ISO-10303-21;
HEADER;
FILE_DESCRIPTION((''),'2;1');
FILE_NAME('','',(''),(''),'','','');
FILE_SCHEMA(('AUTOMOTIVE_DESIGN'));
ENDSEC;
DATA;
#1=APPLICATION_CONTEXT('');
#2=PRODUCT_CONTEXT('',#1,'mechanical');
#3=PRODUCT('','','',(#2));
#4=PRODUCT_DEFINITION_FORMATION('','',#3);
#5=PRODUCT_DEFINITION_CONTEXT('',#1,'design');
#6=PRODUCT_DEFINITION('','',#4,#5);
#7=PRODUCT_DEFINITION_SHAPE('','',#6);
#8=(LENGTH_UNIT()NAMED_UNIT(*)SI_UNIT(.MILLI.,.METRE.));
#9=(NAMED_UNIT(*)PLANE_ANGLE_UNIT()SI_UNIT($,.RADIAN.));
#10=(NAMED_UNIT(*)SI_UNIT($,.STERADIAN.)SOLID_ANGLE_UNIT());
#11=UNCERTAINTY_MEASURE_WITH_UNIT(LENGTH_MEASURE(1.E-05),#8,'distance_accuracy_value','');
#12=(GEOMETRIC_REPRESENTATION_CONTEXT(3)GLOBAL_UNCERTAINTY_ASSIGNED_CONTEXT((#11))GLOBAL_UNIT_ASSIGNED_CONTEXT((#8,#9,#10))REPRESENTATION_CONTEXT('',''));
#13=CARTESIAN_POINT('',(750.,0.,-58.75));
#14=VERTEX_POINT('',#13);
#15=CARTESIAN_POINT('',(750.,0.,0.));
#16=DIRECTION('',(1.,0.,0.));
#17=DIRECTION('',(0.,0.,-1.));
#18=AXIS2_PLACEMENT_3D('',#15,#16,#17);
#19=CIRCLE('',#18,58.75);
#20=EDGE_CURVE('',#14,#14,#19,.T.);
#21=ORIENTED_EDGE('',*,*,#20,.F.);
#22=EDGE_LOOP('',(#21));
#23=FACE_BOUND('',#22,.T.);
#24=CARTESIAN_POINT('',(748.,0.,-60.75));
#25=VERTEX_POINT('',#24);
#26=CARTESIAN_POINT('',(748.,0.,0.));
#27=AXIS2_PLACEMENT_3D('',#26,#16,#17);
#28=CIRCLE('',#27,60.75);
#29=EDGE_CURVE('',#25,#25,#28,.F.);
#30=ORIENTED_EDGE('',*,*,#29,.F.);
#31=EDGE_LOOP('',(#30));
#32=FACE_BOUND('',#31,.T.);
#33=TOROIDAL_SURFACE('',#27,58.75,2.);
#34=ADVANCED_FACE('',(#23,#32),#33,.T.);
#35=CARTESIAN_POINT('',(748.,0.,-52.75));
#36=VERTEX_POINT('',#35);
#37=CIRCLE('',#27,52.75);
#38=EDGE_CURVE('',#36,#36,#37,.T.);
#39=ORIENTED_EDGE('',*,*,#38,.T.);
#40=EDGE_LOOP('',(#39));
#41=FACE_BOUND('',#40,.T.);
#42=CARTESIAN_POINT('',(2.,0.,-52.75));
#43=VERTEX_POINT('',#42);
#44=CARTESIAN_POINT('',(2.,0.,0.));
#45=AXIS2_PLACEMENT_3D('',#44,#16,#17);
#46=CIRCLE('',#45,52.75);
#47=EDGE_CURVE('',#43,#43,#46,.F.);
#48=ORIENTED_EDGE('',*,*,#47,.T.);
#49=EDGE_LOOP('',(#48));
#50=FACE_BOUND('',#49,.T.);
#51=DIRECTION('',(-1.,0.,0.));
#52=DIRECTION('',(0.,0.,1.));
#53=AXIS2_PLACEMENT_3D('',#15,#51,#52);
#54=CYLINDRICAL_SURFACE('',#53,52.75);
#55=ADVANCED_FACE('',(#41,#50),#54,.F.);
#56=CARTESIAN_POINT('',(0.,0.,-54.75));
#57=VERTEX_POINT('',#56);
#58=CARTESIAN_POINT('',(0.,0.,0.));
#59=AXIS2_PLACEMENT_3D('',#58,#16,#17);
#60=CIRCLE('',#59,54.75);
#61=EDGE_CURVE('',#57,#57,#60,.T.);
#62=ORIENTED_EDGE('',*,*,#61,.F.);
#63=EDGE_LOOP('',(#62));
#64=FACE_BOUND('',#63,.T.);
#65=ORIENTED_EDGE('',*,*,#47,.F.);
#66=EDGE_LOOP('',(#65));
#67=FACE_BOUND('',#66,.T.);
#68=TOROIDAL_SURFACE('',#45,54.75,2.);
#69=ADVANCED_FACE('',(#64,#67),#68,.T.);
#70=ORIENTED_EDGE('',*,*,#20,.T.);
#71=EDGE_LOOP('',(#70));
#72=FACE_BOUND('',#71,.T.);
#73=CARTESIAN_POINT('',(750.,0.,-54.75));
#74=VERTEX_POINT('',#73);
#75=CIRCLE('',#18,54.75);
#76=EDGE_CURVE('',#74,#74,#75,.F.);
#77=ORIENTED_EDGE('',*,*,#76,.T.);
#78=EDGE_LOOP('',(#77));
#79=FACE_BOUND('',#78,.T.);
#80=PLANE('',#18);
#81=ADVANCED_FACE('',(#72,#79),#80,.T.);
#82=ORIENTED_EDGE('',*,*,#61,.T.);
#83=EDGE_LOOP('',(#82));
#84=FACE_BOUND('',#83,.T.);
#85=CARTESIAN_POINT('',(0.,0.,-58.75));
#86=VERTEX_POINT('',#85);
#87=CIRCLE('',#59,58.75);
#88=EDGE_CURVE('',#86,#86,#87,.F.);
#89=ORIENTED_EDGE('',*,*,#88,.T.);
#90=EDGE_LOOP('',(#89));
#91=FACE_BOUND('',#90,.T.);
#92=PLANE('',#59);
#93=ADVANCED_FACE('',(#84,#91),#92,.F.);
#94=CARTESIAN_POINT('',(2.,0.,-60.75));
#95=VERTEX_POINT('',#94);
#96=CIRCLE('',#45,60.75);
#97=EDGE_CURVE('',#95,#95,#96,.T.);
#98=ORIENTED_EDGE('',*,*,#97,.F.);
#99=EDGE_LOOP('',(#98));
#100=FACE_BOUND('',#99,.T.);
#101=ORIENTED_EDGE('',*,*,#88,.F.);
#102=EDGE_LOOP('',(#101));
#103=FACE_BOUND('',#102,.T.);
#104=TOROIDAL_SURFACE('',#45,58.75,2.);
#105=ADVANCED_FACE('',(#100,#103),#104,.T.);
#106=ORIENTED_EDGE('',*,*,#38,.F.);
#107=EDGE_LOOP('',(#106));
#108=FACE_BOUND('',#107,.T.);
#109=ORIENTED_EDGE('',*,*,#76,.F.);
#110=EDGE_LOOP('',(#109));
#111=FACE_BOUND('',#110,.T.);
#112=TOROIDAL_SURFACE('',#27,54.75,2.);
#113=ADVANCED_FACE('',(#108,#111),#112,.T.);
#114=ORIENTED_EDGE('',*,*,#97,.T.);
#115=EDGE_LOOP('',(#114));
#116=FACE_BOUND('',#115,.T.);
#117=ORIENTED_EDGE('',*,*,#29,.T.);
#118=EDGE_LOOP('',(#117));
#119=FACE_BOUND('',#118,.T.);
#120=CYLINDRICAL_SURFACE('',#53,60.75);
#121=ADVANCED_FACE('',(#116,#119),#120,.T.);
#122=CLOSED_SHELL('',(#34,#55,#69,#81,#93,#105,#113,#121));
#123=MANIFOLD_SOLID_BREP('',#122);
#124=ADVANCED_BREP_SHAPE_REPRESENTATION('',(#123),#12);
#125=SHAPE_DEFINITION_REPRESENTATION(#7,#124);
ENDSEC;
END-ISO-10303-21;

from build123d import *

# Parameters (mm, degrees)
SKETCH1_R           = 60.75
SKETCH1_R_2         = 52.75
BOSS_EXTRUDE1_DEPTH = 750
FILLET1_R           = 2
FILLET2_R           = 2


with BuildPart() as part:
    # Sketch1 → Boss-Extrude1 (new body)
    with BuildSketch(Plane(origin=(0, 0, 0), x_dir=(0, 0, -1), z_dir=(1, 0, 0))):
        Circle(SKETCH1_R)
        Circle(SKETCH1_R_2, mode=Mode.SUBTRACT)
    extrude(amount=BOSS_EXTRUDE1_DEPTH)

    # Fillet1
    fillet1_edges = [part.edges().sort_by_distance(p)[0] for p in [
        (750, 0, 60.75),
        (750, 0, 52.75),
    ]]
    fillet(fillet1_edges, radius=FILLET1_R)

    # Fillet2
    fillet2_edges = [part.edges().sort_by_distance(p)[0] for p in [
        (0, 0, 60.75),
        (0, 0, 52.75),
    ]]
    fillet(fillet2_edges, radius=FILLET2_R)


solid = part.part
